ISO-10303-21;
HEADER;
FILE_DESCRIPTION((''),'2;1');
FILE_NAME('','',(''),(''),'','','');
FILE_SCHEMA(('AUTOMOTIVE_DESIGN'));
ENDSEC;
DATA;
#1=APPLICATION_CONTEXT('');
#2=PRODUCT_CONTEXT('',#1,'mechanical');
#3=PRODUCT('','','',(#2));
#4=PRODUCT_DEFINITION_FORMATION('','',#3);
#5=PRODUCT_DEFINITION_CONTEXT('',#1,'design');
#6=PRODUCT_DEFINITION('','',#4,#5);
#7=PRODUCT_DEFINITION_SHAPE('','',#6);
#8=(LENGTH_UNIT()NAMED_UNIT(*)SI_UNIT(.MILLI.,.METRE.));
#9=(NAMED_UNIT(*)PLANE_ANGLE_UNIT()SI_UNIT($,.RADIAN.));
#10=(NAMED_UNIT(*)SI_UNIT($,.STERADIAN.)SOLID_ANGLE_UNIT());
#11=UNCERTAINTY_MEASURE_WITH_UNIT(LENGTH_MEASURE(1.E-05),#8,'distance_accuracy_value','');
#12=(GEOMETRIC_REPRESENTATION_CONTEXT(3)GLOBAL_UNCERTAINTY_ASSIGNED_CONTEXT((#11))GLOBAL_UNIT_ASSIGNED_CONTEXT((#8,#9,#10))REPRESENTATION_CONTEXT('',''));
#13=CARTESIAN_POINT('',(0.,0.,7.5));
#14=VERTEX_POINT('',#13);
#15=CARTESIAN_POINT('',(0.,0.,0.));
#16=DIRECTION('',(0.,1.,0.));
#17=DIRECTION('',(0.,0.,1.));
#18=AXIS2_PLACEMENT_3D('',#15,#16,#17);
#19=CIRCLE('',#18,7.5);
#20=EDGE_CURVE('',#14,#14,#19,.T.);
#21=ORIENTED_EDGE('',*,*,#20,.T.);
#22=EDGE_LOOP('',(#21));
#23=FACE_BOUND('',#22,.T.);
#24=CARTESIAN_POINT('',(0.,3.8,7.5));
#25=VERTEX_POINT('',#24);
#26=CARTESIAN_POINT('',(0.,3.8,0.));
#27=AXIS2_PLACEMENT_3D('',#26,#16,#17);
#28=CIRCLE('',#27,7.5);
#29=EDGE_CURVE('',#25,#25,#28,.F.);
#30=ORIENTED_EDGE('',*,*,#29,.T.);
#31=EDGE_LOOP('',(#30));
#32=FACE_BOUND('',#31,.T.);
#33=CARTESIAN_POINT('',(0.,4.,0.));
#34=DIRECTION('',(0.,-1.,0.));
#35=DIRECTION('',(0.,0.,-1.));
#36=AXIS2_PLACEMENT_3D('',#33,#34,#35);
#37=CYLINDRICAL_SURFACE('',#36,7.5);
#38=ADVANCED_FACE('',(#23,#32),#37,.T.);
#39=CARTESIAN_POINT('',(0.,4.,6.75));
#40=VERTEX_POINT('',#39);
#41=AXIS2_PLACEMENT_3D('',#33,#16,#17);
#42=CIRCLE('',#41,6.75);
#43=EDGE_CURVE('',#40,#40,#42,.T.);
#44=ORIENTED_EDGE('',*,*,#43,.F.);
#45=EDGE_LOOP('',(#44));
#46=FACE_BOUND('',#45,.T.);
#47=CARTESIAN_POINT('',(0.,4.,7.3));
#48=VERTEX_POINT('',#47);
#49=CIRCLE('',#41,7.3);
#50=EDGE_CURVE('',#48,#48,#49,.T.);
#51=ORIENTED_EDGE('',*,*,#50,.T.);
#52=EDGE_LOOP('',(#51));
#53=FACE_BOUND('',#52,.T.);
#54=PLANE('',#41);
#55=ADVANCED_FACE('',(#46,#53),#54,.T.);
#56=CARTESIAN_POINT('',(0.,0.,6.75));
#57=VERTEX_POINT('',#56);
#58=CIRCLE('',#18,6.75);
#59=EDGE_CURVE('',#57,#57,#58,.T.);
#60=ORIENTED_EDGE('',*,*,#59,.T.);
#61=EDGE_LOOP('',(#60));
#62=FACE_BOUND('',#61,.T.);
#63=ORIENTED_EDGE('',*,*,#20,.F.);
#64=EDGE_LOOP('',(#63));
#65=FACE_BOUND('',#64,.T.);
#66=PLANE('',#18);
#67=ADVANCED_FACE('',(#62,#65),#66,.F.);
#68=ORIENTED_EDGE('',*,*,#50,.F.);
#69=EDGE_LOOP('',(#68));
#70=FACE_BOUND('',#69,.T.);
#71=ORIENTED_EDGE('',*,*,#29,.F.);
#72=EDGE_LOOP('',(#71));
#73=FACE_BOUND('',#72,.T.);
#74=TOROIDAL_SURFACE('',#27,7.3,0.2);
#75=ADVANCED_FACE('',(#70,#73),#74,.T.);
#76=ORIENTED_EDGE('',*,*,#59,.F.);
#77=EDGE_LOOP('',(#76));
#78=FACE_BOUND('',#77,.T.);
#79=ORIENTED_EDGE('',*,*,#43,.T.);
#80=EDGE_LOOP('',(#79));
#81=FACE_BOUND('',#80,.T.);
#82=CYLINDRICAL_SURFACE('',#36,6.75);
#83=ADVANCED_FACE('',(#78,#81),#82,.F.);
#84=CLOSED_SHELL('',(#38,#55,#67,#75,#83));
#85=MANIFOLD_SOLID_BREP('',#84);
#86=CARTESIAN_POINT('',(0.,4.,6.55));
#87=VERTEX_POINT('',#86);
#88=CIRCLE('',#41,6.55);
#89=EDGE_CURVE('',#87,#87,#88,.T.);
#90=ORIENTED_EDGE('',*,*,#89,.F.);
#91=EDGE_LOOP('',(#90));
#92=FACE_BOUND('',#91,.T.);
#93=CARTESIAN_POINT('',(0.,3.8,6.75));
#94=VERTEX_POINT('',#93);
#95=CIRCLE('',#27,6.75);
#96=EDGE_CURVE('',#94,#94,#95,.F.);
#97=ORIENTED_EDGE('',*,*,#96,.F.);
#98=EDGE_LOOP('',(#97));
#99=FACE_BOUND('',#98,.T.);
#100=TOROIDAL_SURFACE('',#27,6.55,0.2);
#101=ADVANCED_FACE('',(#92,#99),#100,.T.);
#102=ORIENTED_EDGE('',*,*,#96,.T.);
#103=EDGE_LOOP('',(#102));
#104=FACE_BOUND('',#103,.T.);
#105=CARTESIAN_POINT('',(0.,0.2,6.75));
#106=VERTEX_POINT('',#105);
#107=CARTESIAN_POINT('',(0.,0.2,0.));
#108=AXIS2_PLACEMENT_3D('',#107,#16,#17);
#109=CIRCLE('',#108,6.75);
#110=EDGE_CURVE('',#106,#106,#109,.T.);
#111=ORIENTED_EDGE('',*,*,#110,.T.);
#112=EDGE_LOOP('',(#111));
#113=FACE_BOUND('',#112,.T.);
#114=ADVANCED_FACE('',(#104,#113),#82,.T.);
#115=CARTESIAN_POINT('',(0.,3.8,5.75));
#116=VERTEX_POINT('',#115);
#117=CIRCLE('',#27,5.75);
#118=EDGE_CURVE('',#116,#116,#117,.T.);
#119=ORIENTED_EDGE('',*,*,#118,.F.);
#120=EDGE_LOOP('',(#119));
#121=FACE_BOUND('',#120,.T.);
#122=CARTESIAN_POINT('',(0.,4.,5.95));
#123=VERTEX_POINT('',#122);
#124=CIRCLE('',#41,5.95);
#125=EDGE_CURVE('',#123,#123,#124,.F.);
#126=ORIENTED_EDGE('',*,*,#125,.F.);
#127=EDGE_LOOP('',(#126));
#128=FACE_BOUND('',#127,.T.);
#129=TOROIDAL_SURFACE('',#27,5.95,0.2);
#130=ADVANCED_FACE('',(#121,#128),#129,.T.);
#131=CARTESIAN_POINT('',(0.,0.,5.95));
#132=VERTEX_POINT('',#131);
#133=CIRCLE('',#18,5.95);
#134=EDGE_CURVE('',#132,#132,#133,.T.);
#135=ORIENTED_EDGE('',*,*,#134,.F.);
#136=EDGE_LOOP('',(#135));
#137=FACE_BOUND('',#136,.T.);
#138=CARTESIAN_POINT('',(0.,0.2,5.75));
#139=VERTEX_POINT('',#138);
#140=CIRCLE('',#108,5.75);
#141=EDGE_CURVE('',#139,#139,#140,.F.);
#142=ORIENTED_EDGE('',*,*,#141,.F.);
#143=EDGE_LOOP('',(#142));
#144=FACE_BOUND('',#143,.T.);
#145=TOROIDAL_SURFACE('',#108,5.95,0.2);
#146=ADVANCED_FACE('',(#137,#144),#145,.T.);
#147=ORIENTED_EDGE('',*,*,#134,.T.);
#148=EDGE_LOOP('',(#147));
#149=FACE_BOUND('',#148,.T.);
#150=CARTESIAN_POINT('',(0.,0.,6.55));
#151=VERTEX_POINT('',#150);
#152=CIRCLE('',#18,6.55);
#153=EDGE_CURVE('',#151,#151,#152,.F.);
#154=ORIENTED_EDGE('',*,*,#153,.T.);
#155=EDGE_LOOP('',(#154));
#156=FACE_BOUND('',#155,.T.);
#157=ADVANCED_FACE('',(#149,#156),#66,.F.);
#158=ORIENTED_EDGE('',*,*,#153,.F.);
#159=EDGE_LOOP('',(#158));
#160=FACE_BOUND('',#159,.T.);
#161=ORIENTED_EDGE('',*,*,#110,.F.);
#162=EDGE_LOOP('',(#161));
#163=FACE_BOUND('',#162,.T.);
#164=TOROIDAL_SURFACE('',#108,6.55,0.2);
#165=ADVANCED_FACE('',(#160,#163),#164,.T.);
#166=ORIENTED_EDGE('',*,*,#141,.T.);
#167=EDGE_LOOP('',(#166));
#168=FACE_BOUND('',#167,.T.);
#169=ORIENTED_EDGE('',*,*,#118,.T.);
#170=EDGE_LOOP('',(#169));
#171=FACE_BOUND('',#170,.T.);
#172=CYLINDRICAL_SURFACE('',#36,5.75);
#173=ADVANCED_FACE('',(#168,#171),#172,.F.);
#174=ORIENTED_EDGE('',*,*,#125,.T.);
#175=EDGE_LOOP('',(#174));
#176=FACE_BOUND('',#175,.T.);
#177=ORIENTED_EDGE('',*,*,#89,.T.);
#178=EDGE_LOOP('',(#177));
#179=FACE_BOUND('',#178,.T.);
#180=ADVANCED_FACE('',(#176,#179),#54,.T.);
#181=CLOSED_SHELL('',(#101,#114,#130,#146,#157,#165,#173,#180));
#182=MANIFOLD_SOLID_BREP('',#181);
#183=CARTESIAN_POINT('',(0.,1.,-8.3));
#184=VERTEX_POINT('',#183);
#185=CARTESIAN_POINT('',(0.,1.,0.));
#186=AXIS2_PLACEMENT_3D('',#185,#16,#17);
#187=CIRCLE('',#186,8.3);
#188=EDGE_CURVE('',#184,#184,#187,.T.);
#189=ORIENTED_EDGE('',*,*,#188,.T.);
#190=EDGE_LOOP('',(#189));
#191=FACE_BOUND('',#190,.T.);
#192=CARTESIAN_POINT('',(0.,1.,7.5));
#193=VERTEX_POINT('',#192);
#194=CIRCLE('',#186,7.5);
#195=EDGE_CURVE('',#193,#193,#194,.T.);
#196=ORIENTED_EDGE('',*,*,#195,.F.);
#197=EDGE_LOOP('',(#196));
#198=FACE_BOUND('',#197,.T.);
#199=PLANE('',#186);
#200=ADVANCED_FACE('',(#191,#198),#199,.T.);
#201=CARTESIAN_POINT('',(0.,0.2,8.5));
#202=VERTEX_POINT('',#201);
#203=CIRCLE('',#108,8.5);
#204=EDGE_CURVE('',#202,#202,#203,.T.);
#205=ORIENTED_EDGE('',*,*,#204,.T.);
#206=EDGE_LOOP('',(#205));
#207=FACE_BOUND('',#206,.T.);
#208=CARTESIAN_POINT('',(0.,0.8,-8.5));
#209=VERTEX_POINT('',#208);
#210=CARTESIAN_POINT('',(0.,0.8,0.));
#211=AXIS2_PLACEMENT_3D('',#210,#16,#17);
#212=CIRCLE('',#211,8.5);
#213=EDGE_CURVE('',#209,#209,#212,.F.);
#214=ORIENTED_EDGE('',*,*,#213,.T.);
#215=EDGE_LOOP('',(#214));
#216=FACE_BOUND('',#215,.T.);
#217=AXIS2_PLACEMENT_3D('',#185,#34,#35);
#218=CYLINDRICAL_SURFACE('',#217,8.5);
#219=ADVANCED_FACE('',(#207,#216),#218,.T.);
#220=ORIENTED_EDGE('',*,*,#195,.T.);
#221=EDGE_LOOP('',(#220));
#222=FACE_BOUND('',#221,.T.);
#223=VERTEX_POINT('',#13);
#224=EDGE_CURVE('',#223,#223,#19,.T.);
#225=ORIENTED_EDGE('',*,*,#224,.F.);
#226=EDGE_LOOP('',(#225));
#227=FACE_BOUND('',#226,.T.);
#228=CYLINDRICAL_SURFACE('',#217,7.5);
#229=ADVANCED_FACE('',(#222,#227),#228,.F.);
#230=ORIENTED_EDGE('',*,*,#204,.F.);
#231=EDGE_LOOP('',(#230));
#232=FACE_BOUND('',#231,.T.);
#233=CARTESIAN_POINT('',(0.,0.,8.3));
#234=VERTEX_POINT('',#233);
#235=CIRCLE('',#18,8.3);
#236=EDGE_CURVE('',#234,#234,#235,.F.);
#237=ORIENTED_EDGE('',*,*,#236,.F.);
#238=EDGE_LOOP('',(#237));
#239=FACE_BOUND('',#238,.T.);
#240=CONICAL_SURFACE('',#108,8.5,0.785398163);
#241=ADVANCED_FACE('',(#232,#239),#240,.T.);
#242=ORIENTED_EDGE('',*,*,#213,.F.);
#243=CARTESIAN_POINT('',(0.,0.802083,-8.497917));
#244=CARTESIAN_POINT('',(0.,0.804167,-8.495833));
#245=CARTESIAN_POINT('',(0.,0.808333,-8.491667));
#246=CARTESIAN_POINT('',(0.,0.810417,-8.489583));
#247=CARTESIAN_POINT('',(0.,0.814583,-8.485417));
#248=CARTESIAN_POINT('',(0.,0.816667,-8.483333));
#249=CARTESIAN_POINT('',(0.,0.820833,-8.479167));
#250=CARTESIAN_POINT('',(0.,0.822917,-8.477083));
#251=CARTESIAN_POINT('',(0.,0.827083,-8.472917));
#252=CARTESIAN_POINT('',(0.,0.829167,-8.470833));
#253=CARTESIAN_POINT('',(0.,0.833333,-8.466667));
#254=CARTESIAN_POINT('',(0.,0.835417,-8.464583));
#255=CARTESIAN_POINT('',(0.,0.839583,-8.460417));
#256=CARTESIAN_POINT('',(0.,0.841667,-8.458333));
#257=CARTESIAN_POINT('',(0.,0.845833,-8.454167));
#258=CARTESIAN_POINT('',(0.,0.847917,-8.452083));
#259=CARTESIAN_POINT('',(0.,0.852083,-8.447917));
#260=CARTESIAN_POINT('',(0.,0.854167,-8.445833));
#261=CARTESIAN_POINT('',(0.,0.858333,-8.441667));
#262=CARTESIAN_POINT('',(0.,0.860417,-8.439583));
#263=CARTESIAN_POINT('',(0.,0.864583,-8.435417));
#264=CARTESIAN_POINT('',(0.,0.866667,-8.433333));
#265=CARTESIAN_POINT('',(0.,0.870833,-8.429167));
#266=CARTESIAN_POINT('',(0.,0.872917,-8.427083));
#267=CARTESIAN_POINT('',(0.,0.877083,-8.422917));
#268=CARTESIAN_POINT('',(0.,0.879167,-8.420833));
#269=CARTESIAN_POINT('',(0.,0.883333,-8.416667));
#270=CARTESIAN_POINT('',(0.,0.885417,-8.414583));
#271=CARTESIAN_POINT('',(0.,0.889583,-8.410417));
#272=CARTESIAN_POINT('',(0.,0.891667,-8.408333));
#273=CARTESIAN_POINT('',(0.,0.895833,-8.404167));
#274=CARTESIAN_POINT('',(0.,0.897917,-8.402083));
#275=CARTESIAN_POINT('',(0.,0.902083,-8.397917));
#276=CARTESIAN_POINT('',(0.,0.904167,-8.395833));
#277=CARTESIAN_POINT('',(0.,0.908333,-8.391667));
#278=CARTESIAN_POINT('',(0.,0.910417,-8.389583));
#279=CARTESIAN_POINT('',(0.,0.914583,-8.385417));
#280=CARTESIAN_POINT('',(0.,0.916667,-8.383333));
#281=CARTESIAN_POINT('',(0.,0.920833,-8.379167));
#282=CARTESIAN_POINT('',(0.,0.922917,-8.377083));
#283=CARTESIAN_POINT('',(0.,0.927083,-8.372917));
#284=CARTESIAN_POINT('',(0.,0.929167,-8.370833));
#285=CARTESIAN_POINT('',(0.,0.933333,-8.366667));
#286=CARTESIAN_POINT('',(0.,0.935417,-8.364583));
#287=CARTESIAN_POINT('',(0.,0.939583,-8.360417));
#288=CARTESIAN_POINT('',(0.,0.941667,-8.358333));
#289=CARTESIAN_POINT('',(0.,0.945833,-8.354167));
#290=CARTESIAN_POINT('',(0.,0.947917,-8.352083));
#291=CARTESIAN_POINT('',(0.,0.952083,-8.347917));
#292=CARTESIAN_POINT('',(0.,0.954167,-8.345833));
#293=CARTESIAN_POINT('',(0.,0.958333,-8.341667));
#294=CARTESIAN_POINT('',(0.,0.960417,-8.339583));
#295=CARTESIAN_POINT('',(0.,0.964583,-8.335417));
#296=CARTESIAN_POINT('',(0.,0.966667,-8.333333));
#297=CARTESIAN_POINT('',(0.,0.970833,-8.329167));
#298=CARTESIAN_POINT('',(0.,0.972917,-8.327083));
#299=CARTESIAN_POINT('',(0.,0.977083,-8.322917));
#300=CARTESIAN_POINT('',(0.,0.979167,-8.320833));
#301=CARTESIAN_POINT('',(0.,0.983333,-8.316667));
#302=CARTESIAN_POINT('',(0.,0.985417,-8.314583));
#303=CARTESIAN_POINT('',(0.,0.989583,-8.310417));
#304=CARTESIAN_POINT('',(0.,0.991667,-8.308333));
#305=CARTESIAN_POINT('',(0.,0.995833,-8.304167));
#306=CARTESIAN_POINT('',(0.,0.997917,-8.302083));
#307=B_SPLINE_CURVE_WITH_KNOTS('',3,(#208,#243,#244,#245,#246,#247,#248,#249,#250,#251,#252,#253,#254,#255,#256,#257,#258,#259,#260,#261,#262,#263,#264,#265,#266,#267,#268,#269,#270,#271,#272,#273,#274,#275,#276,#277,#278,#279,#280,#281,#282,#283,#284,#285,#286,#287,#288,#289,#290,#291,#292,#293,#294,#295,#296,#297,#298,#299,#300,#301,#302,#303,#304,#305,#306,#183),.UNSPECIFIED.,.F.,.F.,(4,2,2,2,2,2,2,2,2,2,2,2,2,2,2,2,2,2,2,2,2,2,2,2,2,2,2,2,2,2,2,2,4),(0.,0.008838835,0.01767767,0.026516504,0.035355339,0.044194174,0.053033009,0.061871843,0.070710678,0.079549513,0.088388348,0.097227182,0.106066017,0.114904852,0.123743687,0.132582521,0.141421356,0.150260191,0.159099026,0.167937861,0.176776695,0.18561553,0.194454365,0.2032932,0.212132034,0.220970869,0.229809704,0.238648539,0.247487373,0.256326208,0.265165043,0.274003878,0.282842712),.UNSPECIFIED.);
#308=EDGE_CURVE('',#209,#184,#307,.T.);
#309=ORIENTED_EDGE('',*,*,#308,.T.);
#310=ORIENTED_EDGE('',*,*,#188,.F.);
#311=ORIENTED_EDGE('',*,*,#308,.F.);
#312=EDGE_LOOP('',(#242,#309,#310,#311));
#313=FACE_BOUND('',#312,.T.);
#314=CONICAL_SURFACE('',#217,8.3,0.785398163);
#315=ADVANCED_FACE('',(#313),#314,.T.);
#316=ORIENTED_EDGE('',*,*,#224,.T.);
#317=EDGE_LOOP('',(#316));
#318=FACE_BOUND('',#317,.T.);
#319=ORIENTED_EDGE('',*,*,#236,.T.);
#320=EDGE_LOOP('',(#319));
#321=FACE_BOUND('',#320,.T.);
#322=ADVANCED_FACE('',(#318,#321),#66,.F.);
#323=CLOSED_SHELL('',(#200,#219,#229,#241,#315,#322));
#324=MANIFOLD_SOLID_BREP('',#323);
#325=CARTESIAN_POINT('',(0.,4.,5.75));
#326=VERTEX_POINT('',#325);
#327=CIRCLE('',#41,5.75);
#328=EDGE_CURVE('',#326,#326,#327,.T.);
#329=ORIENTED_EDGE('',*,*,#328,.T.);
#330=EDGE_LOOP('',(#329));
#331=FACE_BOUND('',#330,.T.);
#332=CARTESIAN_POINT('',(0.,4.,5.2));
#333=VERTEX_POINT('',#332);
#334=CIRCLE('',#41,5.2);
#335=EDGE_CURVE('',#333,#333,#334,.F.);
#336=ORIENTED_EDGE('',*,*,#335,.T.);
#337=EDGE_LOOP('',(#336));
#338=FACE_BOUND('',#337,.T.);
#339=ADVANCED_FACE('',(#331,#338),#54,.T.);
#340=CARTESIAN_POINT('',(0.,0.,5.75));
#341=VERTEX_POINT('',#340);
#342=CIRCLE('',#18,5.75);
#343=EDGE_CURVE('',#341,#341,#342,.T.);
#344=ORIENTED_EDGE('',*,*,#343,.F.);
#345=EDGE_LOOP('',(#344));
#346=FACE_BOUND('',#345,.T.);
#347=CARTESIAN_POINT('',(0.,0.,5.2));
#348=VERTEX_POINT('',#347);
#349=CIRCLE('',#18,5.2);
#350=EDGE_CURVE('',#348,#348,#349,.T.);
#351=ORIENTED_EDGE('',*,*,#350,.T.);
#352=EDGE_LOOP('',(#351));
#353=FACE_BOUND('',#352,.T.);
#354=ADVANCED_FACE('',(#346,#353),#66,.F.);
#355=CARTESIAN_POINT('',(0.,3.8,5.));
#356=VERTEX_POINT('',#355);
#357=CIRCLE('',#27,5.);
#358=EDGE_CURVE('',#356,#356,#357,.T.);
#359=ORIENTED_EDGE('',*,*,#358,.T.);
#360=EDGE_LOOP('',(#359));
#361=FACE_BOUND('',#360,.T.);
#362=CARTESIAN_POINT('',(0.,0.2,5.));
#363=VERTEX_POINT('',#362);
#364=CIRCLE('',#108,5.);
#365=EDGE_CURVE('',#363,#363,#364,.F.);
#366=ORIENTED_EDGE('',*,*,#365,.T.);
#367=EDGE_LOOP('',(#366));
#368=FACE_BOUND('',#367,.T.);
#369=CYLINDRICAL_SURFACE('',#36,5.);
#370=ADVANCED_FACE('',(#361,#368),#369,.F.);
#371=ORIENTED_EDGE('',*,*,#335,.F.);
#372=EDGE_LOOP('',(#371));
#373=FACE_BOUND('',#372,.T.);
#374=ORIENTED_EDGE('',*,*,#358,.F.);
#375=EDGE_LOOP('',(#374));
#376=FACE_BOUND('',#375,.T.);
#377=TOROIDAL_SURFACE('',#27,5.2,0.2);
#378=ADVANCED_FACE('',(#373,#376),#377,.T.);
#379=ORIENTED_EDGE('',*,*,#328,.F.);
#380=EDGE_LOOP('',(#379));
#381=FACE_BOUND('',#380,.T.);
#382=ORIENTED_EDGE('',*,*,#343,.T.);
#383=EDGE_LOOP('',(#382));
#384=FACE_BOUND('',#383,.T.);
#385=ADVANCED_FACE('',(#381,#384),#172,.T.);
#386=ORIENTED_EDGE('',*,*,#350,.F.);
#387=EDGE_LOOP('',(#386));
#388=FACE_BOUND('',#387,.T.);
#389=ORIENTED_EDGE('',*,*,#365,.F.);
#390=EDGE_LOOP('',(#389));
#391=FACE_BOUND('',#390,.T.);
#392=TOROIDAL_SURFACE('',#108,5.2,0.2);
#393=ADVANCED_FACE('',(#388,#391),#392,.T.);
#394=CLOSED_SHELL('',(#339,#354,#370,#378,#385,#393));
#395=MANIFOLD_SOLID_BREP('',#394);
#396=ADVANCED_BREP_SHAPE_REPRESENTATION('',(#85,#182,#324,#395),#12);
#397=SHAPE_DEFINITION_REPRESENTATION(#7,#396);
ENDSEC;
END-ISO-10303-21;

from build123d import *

# Parameters (mm, degrees)
SKETCH_1_R        = 6.75
SKETCH_1_R_2      = 5.75
EXTRUDE_1_DEPTH   = 4
SKETCH_1_3_R      = 7.5
SKETCH_1_3_R_2    = 6.75
EXTRUDE_2_DEPTH   = 4
SKETCH_1_3_R_3    = 5.75
SKETCH_1_3_R_4    = 5
EXTRUDE_2_2_DEPTH = 4
SKETCH_1_4_R      = 8.5
SKETCH_1_4_R_2    = 7.5
EXTRUDE_3_DEPTH   = 1
FILLET_1_R        = 0.2
FILLET_2_R        = 0.2
CHAMFER_1_SIZE    = 0.2
FILLET_4_R        = 0.2


with BuildPart() as part:
    # 草图1 → 凸台-拉伸1 (new body)
    with BuildSketch(Plane(origin=(0, 0, 0), x_dir=(1, 0, 0), z_dir=(0, 1, 0))):
        Circle(SKETCH_1_R)
        Circle(SKETCH_1_R_2, mode=Mode.SUBTRACT)
    extrude(amount=EXTRUDE_1_DEPTH)

    # 圆角1
    fillet_1_edges = [part.edges().sort_by_distance(p)[0] for p in [
        (-6.75, 0, 0),
        (-5.75, 0, 0),
        (-6.75, 4, 0),
        (-5.75, 4, 0),
    ]]
    fillet(fillet_1_edges, radius=FILLET_1_R)


with BuildPart() as body_2:
    # 草图1<3> → 凸台-拉伸2 (new body)
    with BuildSketch(Plane(origin=(0, 0, 0), x_dir=(1, 0, 0), z_dir=(0, 1, 0))):
        Circle(SKETCH_1_3_R)
        Circle(SKETCH_1_3_R_2, mode=Mode.SUBTRACT)
    extrude(amount=EXTRUDE_2_DEPTH)

    # 圆角4
    fillet_4_edges = [body_2.edges().sort_by_distance(p)[0] for p in [
        (-7.5, 4, 0),
    ]]
    fillet(fillet_4_edges, radius=FILLET_4_R)


with BuildPart() as body_3:
    # 草图1<3> → Extrude 2 2 (new body)
    with BuildSketch(Plane(origin=(0, 0, 0), x_dir=(1, 0, 0), z_dir=(0, 1, 0))):
        Circle(SKETCH_1_3_R_3)
        Circle(SKETCH_1_3_R_4, mode=Mode.SUBTRACT)
    extrude(amount=EXTRUDE_2_2_DEPTH)

    # 圆角2
    fillet_2_edges = [body_3.edges().sort_by_distance(p)[0] for p in [
        (-5, 0, 0),
        (-5, 4, 0),
    ]]
    fillet(fillet_2_edges, radius=FILLET_2_R)


with BuildPart() as body_4:
    # 草图1<4> → 凸台-拉伸3 (new body)
    with BuildSketch(Plane(origin=(0, 0, 0), x_dir=(1, 0, 0), z_dir=(0, 1, 0))):
        Circle(SKETCH_1_4_R)
        Circle(SKETCH_1_4_R_2, mode=Mode.SUBTRACT)
    extrude(amount=EXTRUDE_3_DEPTH)

    # 倒角1
    chamfer_1_edges = [body_4.edges().sort_by_distance(p)[0] for p in [
        (-8.5, 1, 0),
        (-8.5, 0, 0),
    ]]
    chamfer(chamfer_1_edges, length=CHAMFER_1_SIZE)


solid = Compound([part.part, body_2.part, body_3.part, body_4.part])
